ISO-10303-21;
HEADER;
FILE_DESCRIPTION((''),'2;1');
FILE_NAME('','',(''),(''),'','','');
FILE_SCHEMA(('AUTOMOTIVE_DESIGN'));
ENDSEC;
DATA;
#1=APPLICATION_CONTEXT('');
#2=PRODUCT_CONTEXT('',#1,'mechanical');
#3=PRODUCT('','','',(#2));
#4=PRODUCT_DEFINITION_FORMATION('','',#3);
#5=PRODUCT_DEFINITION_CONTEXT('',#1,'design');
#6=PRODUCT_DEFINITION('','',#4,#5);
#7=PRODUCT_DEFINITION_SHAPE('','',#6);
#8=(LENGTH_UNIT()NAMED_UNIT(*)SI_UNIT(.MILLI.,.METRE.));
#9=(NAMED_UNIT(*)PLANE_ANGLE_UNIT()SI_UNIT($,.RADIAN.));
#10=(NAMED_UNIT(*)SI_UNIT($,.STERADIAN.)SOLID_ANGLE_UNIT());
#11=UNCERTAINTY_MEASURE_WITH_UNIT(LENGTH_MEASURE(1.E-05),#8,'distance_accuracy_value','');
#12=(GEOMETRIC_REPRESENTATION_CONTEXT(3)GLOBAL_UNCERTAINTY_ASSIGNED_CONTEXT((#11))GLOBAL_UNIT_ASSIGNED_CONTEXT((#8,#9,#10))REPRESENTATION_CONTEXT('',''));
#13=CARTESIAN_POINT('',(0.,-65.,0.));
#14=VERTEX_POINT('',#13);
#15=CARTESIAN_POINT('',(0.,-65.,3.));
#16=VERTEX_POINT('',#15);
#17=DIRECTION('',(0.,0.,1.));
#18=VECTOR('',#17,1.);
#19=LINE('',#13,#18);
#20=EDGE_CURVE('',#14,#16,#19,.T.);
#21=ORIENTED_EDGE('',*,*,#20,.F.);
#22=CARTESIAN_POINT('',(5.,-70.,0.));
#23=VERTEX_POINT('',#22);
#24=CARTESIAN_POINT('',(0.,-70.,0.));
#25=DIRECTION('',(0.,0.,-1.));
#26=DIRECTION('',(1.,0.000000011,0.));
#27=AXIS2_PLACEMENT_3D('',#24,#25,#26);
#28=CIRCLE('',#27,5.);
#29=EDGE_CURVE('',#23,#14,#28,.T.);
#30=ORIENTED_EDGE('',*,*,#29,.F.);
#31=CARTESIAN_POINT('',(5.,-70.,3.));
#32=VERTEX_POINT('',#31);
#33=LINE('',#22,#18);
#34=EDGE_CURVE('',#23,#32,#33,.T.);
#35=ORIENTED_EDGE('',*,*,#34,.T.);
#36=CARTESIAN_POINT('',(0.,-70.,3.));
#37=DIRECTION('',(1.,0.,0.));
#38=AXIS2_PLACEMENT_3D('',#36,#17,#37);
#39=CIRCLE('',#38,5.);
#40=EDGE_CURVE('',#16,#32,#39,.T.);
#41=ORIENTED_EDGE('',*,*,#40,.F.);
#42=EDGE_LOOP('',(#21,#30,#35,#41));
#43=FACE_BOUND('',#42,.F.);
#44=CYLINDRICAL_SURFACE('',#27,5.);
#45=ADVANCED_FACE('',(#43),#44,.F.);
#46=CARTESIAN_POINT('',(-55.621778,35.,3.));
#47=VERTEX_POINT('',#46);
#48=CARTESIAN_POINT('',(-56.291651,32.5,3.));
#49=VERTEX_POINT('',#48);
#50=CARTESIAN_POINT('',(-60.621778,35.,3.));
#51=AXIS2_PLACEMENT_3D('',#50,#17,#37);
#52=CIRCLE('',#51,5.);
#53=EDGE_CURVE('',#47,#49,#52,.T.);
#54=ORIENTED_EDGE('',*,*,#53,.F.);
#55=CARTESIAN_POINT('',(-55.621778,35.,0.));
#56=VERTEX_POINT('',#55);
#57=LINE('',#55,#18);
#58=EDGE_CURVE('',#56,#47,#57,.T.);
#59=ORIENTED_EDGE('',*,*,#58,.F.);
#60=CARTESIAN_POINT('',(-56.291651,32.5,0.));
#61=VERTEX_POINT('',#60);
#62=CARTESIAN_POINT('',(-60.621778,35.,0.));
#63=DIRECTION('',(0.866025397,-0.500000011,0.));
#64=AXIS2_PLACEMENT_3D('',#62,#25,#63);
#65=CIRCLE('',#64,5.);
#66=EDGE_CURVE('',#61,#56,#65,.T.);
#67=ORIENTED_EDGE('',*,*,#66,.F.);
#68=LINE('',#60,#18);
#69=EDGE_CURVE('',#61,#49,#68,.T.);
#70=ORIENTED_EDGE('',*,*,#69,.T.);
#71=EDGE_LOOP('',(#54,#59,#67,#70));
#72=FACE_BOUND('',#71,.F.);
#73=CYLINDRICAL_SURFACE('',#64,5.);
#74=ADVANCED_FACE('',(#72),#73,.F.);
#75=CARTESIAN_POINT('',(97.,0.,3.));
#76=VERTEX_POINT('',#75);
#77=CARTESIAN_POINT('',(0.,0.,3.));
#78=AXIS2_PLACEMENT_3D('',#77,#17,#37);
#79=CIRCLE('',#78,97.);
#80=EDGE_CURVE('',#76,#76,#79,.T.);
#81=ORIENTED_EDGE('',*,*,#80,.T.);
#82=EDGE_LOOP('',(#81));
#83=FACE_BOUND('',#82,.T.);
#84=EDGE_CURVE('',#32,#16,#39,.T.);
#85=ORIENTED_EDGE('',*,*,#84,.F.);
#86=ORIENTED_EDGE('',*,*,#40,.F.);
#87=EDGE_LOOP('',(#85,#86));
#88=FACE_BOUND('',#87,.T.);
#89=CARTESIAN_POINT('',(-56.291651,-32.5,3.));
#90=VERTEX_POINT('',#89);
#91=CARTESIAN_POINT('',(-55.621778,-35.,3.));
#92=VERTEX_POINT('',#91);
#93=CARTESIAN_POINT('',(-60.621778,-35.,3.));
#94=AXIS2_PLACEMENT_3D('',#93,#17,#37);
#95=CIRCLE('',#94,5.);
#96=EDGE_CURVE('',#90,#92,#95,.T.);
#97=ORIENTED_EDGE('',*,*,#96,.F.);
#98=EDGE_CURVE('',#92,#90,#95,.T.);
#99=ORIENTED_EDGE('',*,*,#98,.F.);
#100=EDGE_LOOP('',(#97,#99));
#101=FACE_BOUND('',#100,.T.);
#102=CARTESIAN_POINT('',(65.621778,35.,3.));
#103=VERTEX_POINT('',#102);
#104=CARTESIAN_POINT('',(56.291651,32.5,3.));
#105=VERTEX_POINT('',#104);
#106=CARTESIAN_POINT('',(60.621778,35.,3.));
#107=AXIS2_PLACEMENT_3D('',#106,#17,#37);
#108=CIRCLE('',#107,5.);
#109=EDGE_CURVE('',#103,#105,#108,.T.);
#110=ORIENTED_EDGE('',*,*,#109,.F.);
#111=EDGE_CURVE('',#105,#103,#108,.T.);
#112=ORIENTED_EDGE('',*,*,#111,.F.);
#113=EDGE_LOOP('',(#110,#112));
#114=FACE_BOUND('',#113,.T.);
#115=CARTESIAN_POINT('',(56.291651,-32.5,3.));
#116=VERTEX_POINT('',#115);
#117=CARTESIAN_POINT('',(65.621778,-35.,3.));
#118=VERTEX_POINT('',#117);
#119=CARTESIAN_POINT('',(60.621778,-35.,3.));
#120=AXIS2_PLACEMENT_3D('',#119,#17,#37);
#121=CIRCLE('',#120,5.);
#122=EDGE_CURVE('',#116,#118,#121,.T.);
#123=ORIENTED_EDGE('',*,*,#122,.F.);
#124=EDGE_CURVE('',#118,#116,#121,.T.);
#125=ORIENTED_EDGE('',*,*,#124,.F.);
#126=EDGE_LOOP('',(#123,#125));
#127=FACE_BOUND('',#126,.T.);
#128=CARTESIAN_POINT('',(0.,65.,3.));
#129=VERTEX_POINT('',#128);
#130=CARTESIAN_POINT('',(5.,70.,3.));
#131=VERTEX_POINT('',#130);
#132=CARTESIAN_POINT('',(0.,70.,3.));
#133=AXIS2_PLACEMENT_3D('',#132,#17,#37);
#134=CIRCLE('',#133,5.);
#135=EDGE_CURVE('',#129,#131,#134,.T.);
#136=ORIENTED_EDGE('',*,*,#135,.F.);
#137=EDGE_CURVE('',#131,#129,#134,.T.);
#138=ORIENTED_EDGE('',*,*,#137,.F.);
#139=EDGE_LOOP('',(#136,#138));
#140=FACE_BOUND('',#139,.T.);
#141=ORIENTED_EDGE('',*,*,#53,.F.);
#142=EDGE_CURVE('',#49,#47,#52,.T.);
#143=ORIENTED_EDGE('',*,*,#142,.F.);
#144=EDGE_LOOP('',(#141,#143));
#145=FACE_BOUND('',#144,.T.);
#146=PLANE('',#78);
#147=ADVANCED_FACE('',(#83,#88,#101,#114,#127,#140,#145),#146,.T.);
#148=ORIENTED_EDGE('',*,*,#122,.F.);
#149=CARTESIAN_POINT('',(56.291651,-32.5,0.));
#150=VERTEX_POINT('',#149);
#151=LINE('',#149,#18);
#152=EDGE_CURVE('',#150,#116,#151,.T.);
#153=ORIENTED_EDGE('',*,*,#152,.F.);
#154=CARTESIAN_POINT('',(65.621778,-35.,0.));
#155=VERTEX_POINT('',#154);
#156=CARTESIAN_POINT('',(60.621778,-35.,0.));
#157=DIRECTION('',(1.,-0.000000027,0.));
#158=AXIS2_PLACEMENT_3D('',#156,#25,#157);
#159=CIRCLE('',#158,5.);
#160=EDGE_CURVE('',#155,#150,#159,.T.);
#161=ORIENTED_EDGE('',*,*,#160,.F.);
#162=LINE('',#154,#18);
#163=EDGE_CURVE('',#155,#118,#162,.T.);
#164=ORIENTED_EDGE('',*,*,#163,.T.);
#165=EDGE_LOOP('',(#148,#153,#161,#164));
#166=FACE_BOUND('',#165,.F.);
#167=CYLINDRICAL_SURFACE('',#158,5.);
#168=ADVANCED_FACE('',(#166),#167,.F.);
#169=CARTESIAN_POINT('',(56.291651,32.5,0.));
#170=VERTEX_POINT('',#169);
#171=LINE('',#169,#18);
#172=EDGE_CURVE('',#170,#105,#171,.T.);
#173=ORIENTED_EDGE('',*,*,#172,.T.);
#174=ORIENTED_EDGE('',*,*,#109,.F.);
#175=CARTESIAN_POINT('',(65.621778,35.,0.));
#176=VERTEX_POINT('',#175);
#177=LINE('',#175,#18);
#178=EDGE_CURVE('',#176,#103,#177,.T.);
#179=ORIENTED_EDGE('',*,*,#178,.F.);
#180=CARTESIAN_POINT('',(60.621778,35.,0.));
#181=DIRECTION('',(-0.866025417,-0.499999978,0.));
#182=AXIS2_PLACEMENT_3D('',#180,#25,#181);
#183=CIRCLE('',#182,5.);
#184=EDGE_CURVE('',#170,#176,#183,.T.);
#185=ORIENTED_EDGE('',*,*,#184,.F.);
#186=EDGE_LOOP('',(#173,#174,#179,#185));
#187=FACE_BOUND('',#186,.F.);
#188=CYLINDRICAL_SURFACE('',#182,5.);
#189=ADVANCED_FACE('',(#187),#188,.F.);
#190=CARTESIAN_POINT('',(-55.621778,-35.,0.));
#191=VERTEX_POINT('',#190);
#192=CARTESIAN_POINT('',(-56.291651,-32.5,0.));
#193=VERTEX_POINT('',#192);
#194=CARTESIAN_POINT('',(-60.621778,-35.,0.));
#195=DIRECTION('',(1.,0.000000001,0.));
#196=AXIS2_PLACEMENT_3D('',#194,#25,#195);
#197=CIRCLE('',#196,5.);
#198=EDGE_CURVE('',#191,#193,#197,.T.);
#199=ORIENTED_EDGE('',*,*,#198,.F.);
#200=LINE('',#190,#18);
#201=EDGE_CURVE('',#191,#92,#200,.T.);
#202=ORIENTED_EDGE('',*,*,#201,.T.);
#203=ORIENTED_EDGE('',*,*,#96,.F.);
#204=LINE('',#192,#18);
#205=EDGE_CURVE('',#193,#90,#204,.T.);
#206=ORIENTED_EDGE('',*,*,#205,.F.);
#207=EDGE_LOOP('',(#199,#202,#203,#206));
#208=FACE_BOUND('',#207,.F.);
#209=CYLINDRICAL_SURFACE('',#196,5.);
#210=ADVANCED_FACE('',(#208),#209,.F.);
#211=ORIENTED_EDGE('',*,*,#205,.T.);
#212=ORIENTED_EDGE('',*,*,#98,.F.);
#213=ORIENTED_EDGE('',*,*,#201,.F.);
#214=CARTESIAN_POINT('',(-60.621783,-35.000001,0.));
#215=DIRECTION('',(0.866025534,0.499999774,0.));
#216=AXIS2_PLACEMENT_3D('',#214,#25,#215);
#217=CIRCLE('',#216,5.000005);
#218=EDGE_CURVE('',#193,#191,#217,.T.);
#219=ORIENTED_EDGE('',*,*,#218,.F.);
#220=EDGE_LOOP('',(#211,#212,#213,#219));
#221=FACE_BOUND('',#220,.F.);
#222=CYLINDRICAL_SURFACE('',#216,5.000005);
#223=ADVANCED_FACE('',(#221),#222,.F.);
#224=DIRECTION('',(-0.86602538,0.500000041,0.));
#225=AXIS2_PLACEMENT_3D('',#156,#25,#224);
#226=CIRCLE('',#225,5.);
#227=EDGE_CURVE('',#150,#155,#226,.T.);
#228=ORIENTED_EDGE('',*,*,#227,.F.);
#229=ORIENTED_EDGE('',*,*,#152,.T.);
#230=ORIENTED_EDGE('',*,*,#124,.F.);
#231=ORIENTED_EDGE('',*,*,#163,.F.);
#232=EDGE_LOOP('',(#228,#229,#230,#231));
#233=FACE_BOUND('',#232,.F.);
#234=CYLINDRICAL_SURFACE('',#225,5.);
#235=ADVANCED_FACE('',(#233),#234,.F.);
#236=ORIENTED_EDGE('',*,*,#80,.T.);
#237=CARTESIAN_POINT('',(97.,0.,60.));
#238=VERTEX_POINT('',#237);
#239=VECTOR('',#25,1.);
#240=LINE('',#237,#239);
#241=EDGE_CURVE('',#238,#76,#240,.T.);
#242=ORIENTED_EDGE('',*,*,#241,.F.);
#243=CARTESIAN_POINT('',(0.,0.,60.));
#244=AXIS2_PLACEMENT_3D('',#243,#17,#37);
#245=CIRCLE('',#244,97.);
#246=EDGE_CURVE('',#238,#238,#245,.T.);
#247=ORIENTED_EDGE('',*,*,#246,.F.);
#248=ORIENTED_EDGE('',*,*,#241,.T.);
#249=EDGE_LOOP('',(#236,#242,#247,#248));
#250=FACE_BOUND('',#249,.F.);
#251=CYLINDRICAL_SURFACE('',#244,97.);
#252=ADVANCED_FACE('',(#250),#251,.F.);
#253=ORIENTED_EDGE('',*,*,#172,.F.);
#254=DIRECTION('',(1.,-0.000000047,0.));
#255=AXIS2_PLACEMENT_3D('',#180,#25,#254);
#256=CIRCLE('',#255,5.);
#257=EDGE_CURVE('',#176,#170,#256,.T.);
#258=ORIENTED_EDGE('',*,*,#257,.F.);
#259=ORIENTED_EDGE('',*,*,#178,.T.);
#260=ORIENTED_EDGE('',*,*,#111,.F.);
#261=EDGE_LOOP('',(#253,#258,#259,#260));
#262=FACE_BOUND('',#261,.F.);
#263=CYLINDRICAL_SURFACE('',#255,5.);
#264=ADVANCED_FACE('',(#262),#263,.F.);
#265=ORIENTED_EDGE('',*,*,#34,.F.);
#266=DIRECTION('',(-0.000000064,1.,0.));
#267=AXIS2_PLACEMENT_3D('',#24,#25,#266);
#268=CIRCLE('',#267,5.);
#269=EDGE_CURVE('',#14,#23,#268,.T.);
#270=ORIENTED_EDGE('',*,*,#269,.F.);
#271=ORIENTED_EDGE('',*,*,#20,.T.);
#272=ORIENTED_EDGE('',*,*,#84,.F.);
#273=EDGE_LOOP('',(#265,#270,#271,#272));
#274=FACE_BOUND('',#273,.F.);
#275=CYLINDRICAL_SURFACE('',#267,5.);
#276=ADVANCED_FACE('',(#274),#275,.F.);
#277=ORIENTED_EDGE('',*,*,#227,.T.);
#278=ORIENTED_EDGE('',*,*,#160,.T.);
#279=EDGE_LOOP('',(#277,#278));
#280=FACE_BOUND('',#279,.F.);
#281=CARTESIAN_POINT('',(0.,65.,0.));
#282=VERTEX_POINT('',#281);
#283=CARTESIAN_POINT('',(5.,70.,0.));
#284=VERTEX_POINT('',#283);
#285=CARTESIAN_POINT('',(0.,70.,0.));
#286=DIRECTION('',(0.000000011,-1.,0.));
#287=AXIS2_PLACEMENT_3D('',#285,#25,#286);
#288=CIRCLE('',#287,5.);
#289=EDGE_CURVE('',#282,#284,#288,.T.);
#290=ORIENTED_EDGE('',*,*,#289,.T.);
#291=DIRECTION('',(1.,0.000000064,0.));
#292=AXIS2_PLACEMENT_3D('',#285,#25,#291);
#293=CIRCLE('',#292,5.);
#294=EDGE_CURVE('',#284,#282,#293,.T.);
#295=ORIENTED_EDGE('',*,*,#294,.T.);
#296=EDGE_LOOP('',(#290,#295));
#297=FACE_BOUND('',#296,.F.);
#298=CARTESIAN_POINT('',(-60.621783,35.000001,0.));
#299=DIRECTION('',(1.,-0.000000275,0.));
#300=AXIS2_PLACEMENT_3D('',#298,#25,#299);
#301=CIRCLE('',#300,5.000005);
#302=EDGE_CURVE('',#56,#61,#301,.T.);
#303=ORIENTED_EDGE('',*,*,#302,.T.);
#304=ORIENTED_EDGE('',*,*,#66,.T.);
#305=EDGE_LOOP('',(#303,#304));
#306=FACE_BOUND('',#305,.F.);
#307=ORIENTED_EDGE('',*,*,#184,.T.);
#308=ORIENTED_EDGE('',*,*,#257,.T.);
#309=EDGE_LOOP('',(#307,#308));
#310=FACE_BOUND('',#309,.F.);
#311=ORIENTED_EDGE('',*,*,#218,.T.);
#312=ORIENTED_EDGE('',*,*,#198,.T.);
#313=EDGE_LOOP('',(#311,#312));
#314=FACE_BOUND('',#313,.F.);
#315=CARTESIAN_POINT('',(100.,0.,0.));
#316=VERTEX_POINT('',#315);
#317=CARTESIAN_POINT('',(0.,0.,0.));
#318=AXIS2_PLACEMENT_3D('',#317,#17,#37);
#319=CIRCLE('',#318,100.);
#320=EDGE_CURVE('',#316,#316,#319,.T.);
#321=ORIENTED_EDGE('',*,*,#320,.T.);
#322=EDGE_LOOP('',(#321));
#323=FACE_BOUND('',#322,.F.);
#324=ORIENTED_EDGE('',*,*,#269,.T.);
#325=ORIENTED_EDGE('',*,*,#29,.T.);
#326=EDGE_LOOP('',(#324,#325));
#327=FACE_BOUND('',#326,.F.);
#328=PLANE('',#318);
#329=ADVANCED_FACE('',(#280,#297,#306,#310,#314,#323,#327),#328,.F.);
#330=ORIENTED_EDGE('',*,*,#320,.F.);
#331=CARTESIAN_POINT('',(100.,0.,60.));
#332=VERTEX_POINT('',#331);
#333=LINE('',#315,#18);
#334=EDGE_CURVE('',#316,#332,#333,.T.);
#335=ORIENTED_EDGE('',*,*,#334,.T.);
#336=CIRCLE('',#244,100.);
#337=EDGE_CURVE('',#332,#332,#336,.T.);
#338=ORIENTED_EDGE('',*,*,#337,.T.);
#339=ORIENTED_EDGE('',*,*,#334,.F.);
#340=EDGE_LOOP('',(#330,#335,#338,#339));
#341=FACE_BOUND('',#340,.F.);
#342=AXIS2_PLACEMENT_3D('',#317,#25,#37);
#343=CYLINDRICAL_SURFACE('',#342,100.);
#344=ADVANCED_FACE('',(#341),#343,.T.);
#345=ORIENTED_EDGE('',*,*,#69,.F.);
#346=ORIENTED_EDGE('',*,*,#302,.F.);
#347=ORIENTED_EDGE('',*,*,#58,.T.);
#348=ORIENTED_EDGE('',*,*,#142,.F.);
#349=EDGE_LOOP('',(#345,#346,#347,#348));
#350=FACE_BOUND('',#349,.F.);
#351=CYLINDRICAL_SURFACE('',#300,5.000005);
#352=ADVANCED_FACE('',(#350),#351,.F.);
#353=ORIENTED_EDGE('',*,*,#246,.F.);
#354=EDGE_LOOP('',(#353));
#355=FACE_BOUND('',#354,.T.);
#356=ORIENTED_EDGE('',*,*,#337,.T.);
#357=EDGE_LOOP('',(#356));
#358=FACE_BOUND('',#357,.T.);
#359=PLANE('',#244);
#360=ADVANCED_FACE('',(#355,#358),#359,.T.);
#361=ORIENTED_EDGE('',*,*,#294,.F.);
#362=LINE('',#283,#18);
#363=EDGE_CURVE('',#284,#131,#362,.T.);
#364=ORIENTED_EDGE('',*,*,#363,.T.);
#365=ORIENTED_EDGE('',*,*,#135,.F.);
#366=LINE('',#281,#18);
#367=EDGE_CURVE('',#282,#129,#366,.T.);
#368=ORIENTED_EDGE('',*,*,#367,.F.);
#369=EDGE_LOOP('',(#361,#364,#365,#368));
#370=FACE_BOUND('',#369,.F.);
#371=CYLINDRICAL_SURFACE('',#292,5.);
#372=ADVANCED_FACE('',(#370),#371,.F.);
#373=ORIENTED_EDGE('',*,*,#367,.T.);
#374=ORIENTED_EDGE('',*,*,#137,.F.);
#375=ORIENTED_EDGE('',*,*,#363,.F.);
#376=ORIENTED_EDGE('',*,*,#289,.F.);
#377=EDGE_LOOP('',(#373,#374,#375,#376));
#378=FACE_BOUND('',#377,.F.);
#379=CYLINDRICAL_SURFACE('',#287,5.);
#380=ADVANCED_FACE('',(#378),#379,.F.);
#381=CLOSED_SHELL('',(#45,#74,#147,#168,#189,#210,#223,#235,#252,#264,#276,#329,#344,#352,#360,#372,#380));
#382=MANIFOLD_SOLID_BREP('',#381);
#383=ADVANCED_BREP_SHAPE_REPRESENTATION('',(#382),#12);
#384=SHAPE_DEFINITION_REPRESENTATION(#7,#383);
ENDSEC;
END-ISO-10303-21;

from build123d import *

# Parameters (mm, degrees)
F0_R     = 100
F1_DEPTH = 60
F2_R     = 97
F2_R_2   = 5
F3_DEPTH = 57


with BuildPart() as f1:
    # F0 (on Top) → F1 (new body)
    with BuildSketch(Plane.XY):
        Circle(F0_R)
        with BuildLine():
            ThreePointArc((-55.621778, -35), (-65.451407, -36.294095), (-56.291651, -32.5))
            ThreePointArc((-56.291651, -32.5), (-55.792149, -33.705905), (-55.621778, -35))
        make_face(mode=Mode.SUBTRACT)
        with BuildLine():
            ThreePointArc((5, -70), (-3.535534, -73.535534), (0, -65))
            ThreePointArc((0, -65), (3.535534, -66.464466), (5, -70))
        make_face(mode=Mode.SUBTRACT)
        with BuildLine():
            ThreePointArc((65.621778, -35), (59.327683, -39.829629), (56.291651, -32.5))
            ThreePointArc((56.291651, -32.5), (61.915873, -30.170371), (65.621778, -35))
        make_face(mode=Mode.SUBTRACT)
        with BuildLine():
            ThreePointArc((-55.621778, 35), (-55.792149, 33.705905), (-56.291651, 32.5))
            ThreePointArc((-56.291651, 32.5), (-65.451407, 36.294095), (-55.621778, 35))
        make_face(mode=Mode.SUBTRACT)
        with BuildLine():
            ThreePointArc((65.621778, 35), (61.915873, 30.170371), (56.291651, 32.5))
            ThreePointArc((56.291651, 32.5), (59.327683, 39.829629), (65.621778, 35))
        make_face(mode=Mode.SUBTRACT)
        with BuildLine():
            ThreePointArc((5, 70), (3.535534, 66.464466), (0, 65))
            ThreePointArc((0, 65), (-3.535534, 73.535534), (5, 70))
        make_face(mode=Mode.SUBTRACT)
    extrude(amount=F1_DEPTH)

    # F2 (on face) → F3 (cut)
    with BuildSketch(Plane.XY.offset(60)):
        Circle(F2_R)
        Circle(F2_R)
        with Locations((-60.621778, -35)):
            Circle(F2_R_2, mode=Mode.SUBTRACT)
        with Locations((0, -70)):
            Circle(F2_R_2, mode=Mode.SUBTRACT)
        with Locations((60.621778, -35)):
            Circle(F2_R_2, mode=Mode.SUBTRACT)
        with Locations((-60.621778, 35)):
            Circle(F2_R_2, mode=Mode.SUBTRACT)
        with Locations((60.621778, 35)):
            Circle(F2_R_2, mode=Mode.SUBTRACT)
        with Locations((0, 70)):
            Circle(F2_R_2, mode=Mode.SUBTRACT)
    extrude(amount=-F3_DEPTH, mode=Mode.SUBTRACT)


solid = f1.part
